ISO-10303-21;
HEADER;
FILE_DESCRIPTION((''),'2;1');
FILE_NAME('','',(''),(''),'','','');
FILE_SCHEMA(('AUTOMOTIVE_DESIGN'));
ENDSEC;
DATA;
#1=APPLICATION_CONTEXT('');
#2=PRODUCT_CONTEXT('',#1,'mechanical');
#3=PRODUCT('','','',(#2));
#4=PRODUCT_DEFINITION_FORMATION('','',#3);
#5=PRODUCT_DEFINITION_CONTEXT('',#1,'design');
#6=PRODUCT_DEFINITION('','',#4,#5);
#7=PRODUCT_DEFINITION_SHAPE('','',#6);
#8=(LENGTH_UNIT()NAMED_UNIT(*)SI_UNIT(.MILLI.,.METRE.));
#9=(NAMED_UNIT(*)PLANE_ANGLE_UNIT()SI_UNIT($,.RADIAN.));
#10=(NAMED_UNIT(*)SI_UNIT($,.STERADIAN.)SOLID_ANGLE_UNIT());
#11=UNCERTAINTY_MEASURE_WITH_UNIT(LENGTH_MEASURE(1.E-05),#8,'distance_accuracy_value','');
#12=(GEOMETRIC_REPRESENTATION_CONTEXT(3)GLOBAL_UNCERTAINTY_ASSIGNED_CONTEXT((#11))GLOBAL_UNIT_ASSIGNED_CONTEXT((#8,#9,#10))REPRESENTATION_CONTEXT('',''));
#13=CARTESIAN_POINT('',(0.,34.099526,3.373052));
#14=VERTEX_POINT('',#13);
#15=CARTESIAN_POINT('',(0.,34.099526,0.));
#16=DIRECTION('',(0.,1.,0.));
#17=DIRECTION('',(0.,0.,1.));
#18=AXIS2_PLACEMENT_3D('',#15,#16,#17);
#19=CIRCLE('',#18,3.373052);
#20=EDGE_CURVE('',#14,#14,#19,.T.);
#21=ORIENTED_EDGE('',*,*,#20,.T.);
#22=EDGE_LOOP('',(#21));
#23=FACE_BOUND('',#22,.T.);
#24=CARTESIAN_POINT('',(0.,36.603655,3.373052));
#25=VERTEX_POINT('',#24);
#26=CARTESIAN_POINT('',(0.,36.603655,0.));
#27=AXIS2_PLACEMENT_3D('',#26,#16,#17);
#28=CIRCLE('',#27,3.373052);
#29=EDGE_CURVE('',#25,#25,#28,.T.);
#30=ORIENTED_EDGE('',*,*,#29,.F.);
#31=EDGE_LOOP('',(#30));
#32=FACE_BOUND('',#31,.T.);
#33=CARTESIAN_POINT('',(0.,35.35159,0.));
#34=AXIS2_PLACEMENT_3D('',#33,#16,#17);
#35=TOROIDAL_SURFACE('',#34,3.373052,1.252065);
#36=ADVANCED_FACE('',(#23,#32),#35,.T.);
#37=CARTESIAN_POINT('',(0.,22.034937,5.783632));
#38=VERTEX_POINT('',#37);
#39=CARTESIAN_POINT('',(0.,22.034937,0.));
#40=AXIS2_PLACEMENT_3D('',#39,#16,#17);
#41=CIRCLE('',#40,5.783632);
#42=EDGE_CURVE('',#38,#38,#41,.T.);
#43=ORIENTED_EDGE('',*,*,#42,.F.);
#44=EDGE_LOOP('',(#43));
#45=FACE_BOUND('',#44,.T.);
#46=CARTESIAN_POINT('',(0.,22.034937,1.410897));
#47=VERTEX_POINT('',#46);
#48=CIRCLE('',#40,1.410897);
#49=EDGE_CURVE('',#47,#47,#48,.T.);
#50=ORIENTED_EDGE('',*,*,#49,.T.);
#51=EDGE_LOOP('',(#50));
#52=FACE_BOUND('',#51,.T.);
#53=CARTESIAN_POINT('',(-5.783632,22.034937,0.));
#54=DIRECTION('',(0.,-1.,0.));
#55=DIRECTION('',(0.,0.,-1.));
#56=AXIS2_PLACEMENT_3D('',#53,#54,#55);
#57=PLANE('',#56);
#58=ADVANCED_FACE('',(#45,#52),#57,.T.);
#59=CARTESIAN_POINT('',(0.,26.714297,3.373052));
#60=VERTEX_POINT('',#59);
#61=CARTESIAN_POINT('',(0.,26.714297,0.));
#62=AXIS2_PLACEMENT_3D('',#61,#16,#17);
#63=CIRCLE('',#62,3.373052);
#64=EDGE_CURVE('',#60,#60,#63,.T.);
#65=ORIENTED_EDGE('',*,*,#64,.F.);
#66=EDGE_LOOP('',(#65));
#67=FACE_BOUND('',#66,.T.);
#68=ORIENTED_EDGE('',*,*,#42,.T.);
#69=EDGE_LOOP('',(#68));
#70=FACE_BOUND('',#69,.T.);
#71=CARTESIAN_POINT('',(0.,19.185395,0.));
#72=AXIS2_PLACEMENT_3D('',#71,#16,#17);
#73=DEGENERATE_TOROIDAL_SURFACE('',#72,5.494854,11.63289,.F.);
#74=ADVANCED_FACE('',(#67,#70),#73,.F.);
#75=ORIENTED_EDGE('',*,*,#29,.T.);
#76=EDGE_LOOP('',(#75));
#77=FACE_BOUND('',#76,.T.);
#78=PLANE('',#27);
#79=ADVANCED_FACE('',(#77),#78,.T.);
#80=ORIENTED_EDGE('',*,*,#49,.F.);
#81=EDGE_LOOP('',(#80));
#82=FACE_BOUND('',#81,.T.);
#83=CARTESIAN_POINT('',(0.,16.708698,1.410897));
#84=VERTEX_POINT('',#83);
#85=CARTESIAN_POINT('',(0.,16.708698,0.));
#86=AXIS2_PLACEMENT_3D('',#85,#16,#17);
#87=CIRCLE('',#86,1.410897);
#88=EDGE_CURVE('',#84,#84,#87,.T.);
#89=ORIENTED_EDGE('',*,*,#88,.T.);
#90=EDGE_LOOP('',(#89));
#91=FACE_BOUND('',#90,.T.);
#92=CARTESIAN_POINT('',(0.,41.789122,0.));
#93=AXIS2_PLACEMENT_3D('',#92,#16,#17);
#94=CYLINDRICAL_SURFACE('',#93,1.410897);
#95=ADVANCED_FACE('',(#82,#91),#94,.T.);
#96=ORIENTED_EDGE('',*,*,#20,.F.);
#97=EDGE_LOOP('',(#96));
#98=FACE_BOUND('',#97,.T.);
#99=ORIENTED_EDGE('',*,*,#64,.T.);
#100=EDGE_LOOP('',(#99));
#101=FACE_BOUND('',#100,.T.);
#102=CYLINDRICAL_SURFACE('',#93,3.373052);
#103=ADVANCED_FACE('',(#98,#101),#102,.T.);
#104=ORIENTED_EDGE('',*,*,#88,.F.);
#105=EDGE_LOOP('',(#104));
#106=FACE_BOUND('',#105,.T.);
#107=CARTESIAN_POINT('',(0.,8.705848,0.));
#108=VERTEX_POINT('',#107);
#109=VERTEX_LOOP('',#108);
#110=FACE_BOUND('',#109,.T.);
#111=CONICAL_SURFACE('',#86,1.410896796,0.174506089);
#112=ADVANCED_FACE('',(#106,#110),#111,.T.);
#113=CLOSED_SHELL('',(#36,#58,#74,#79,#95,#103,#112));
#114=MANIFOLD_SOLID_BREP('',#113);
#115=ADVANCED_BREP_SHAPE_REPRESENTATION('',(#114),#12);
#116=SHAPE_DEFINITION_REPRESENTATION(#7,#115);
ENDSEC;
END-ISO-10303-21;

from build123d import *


with BuildPart() as part:
    # Sketch1 → Revolve1 (revolve)
    with BuildSketch(Plane.XY, mode=Mode.PRIVATE) as revolve1_sk:
        with BuildLine():
            Line((0, 36.603655235), (-3.373052236, 36.603655235))
            ThreePointArc((-3.373052236, 36.603655235), (-4.625116985, 35.351590486), (-3.373052236, 34.099525737))
            Line((-3.373052236, 34.099525737), (-3.373052236, 26.714297442))
            ThreePointArc((-3.373052236, 26.714297442), (-4.846489461, 24.51275357), (-5.783632018, 22.034936687))
            Line((-5.783632018, 22.034936687), (-1.410896796, 22.034936687))
            Line((-1.410896796, 22.034936687), (-1.410896796, 16.708697696))
            Line((-1.410896796, 16.708697696), (0, 8.705848478))
            Line((0, 8.705848478), (0, 36.603655235))
        make_face()
    revolve(revolve1_sk.sketch.rotate(Axis((0, 41.789122373, 0), (0, -1, 0)), 270), axis=Axis((0, 41.789122373, 0), (0, -1, 0)))


solid = part.part
